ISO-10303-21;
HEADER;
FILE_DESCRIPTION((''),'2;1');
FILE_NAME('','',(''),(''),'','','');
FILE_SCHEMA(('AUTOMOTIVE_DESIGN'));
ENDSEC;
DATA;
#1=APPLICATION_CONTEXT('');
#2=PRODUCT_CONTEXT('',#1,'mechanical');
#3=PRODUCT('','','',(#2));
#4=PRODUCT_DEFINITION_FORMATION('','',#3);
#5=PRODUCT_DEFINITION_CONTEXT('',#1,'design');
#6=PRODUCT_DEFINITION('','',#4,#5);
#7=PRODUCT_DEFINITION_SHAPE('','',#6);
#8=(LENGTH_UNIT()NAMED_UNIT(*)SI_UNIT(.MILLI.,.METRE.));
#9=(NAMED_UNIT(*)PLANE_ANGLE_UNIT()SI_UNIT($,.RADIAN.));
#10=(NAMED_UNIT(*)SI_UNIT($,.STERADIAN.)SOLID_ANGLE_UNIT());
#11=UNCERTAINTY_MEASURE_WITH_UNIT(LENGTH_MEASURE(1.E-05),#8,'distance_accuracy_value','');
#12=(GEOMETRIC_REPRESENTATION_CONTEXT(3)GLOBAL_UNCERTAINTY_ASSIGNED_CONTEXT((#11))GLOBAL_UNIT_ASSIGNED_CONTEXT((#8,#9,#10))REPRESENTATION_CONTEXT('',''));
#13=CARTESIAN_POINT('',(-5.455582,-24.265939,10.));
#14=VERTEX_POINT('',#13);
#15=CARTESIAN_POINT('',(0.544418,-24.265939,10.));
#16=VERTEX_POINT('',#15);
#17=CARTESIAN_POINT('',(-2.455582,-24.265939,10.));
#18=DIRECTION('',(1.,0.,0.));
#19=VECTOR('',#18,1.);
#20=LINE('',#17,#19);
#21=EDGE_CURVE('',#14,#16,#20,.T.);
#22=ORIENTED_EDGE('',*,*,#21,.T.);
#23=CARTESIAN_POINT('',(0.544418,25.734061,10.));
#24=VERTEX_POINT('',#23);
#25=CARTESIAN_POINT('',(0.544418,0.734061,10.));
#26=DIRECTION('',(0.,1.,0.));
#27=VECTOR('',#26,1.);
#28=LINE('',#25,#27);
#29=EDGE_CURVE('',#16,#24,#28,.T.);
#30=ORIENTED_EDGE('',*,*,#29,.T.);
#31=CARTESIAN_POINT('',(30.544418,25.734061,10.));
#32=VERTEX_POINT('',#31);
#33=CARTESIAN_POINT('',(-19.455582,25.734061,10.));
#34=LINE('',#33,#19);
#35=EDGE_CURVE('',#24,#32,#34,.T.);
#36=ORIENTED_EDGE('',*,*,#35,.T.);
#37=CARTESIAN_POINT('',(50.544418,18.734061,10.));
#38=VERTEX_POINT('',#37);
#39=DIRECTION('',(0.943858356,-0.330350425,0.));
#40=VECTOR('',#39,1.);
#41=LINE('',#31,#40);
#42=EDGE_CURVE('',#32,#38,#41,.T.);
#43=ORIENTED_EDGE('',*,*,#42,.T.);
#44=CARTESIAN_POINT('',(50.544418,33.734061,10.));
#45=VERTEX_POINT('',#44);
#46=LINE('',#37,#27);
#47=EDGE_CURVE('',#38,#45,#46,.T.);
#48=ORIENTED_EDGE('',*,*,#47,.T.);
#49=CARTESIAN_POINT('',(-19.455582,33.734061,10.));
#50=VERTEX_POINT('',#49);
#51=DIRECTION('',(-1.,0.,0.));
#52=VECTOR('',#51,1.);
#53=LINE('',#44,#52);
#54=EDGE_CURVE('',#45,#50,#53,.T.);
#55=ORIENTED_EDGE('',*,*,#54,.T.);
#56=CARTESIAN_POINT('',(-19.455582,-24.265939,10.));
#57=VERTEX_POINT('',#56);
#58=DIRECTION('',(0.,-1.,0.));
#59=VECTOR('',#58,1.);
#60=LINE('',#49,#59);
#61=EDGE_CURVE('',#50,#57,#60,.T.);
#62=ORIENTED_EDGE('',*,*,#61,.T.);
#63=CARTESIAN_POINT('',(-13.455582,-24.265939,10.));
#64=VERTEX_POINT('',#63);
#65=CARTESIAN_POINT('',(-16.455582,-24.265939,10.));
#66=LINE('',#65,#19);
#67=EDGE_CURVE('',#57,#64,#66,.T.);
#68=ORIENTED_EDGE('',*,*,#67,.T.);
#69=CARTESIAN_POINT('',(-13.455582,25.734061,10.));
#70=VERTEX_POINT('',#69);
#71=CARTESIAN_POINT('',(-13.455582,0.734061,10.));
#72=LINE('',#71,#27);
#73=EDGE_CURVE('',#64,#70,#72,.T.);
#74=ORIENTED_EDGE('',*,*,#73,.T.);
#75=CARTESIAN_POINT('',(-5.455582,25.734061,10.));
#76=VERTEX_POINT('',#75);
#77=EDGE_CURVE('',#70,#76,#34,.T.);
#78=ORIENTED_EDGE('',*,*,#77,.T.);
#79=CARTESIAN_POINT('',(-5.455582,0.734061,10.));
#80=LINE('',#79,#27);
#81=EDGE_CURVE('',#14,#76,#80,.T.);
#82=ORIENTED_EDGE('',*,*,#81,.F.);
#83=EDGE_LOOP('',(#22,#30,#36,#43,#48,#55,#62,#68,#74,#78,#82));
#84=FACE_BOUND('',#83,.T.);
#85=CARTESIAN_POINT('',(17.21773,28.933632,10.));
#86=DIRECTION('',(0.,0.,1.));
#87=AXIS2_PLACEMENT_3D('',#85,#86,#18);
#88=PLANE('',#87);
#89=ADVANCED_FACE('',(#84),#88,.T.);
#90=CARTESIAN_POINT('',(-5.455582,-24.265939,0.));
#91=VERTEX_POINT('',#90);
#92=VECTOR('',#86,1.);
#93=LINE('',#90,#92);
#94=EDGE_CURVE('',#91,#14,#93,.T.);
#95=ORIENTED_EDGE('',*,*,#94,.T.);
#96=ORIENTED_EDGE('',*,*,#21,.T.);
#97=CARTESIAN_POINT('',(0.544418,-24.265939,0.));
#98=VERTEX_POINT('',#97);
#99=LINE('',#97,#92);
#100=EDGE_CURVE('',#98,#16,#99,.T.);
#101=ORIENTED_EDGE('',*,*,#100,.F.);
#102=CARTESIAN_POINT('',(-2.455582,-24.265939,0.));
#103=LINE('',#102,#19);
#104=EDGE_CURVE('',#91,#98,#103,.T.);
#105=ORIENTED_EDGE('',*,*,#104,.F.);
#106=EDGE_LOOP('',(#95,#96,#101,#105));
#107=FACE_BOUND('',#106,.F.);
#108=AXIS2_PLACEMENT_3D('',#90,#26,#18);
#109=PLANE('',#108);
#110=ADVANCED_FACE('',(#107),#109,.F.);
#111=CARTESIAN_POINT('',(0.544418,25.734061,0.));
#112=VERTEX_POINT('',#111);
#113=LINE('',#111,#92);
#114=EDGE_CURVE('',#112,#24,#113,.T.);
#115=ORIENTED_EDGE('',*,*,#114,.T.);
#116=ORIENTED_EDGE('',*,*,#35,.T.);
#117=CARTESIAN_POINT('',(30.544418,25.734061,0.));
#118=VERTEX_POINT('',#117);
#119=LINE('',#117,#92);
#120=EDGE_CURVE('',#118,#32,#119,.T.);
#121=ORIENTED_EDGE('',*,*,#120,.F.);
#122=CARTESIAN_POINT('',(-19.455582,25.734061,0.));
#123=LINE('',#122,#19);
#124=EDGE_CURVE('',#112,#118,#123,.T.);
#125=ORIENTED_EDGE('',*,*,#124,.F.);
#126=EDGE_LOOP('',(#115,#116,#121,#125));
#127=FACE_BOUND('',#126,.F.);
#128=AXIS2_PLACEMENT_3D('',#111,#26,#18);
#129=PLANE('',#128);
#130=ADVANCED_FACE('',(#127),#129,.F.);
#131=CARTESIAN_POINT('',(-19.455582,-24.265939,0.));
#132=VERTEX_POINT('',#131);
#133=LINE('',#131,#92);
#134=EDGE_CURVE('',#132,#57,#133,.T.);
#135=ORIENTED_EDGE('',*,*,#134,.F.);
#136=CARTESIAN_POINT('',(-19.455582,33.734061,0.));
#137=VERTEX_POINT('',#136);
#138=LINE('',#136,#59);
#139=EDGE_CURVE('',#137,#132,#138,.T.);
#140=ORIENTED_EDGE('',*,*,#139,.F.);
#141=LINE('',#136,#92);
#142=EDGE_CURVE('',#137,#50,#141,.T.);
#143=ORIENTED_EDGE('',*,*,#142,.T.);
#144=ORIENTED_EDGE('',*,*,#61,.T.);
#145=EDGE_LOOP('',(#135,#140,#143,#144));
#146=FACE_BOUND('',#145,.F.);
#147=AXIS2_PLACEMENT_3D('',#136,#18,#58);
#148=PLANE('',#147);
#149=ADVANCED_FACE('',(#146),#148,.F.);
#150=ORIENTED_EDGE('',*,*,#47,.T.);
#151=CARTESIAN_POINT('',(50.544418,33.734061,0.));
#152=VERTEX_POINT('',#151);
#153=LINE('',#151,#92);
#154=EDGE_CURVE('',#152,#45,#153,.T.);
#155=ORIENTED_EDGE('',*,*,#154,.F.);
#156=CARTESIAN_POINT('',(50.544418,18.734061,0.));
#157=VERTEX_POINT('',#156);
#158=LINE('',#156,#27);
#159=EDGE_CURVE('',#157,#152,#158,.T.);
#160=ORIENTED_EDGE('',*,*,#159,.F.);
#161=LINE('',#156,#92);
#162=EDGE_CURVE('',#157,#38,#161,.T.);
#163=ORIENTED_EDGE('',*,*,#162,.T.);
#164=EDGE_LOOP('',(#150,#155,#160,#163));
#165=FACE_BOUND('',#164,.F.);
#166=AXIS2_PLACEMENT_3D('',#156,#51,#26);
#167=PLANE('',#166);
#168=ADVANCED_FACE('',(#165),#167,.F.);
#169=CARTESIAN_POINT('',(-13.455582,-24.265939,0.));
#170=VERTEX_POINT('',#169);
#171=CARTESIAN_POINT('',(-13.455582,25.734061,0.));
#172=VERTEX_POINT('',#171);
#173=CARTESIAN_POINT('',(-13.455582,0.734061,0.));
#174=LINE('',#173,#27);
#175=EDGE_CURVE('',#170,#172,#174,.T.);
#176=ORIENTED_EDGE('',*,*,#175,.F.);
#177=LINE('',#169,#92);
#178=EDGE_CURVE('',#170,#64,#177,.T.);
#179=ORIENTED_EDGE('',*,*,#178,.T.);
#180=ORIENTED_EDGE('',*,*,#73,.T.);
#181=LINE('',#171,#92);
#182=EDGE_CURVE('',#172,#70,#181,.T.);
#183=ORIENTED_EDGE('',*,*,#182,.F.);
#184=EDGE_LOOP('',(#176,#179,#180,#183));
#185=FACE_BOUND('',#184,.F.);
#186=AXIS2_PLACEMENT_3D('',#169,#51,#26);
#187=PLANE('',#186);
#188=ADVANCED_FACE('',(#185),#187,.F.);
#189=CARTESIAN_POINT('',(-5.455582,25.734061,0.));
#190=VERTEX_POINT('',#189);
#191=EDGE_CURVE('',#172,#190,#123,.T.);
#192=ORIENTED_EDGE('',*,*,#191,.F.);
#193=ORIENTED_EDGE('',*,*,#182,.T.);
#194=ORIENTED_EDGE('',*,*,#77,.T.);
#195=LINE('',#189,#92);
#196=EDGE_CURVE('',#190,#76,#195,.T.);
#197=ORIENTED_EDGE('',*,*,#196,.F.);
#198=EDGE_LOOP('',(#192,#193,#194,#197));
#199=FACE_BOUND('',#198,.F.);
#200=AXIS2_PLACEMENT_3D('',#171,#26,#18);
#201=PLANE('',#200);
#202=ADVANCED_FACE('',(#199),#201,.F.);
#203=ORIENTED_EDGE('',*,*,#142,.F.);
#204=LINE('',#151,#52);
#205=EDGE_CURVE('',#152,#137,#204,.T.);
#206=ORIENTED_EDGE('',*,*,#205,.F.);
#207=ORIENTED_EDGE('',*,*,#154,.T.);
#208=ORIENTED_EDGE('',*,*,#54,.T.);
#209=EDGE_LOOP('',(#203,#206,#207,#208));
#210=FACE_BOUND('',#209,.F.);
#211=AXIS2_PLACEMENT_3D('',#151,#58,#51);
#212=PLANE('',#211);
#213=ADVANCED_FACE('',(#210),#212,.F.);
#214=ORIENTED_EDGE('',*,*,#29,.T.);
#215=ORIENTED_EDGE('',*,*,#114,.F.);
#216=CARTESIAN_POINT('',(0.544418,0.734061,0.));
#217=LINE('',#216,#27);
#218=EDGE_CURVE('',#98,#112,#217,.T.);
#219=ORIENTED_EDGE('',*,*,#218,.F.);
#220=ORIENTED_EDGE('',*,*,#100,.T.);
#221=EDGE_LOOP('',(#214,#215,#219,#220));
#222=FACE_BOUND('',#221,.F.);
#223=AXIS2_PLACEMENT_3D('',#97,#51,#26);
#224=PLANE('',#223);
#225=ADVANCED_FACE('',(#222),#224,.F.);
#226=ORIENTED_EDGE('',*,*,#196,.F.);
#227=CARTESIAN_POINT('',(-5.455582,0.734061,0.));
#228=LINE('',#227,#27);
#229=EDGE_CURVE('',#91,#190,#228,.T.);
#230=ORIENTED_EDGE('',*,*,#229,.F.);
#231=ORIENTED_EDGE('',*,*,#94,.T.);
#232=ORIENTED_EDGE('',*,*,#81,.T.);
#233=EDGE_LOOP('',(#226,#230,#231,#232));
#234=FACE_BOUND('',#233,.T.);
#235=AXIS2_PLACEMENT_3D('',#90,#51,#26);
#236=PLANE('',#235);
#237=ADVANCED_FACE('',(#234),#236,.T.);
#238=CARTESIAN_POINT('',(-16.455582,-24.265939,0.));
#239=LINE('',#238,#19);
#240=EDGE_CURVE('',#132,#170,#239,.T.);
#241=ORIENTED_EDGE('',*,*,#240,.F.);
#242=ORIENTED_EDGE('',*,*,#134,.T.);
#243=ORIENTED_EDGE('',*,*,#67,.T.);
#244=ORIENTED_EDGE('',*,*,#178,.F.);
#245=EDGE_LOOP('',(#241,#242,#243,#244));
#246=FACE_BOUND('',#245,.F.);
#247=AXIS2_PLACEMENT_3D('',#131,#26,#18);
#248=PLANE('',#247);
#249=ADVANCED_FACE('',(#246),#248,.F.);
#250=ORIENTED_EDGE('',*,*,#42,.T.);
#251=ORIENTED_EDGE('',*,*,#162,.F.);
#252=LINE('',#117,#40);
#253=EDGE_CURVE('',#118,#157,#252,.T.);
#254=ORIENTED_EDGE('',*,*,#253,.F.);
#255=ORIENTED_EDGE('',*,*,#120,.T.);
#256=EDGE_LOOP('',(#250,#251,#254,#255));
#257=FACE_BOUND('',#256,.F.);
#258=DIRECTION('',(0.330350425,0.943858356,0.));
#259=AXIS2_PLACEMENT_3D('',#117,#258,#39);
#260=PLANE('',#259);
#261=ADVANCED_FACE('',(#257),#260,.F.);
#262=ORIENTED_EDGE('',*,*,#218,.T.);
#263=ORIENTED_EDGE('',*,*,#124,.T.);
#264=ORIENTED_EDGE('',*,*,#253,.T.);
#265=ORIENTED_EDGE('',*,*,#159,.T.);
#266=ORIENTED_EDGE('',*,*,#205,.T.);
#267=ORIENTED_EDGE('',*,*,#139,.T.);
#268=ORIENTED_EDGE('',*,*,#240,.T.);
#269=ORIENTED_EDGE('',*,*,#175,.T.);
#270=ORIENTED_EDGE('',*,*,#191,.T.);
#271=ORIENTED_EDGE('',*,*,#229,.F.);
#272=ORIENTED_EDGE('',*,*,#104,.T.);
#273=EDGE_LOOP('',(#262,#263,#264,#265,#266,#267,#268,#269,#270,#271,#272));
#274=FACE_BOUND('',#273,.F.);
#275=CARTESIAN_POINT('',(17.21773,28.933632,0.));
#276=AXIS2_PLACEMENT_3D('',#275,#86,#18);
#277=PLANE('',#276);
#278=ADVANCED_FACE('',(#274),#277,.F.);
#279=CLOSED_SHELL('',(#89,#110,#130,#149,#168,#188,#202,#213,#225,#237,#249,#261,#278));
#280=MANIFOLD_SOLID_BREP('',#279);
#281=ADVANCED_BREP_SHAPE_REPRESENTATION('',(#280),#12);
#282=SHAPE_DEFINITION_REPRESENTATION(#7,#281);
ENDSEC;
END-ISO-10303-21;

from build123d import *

# Parameters (mm, degrees)
F0_W     = 6
F0_H     = 50
F1_DEPTH = 10


with BuildPart() as f1:
    # F0 (on Top) → F1 (new body)
    with BuildSketch(Plane.XY):
        Polygon((-19.455582, 33.734061), (-19.455582, 25.734061), (-13.455582, 25.734061), (-5.455582, 25.734061), (0.544418, 25.734061), (30.544418, 25.734061), (50.544418, 18.734061), (50.544418, 33.734061), align=None)
        with Locations((-16.455582, 0.734061)):
            Rectangle(F0_W, F0_H)
        with Locations((-2.455582, 0.734061)):
            Rectangle(F0_W, F0_H)
    extrude(amount=F1_DEPTH)


with BuildPart() as f2_1:
    # F2: copy of F1
    add(f1.part)


solid = f1.part
